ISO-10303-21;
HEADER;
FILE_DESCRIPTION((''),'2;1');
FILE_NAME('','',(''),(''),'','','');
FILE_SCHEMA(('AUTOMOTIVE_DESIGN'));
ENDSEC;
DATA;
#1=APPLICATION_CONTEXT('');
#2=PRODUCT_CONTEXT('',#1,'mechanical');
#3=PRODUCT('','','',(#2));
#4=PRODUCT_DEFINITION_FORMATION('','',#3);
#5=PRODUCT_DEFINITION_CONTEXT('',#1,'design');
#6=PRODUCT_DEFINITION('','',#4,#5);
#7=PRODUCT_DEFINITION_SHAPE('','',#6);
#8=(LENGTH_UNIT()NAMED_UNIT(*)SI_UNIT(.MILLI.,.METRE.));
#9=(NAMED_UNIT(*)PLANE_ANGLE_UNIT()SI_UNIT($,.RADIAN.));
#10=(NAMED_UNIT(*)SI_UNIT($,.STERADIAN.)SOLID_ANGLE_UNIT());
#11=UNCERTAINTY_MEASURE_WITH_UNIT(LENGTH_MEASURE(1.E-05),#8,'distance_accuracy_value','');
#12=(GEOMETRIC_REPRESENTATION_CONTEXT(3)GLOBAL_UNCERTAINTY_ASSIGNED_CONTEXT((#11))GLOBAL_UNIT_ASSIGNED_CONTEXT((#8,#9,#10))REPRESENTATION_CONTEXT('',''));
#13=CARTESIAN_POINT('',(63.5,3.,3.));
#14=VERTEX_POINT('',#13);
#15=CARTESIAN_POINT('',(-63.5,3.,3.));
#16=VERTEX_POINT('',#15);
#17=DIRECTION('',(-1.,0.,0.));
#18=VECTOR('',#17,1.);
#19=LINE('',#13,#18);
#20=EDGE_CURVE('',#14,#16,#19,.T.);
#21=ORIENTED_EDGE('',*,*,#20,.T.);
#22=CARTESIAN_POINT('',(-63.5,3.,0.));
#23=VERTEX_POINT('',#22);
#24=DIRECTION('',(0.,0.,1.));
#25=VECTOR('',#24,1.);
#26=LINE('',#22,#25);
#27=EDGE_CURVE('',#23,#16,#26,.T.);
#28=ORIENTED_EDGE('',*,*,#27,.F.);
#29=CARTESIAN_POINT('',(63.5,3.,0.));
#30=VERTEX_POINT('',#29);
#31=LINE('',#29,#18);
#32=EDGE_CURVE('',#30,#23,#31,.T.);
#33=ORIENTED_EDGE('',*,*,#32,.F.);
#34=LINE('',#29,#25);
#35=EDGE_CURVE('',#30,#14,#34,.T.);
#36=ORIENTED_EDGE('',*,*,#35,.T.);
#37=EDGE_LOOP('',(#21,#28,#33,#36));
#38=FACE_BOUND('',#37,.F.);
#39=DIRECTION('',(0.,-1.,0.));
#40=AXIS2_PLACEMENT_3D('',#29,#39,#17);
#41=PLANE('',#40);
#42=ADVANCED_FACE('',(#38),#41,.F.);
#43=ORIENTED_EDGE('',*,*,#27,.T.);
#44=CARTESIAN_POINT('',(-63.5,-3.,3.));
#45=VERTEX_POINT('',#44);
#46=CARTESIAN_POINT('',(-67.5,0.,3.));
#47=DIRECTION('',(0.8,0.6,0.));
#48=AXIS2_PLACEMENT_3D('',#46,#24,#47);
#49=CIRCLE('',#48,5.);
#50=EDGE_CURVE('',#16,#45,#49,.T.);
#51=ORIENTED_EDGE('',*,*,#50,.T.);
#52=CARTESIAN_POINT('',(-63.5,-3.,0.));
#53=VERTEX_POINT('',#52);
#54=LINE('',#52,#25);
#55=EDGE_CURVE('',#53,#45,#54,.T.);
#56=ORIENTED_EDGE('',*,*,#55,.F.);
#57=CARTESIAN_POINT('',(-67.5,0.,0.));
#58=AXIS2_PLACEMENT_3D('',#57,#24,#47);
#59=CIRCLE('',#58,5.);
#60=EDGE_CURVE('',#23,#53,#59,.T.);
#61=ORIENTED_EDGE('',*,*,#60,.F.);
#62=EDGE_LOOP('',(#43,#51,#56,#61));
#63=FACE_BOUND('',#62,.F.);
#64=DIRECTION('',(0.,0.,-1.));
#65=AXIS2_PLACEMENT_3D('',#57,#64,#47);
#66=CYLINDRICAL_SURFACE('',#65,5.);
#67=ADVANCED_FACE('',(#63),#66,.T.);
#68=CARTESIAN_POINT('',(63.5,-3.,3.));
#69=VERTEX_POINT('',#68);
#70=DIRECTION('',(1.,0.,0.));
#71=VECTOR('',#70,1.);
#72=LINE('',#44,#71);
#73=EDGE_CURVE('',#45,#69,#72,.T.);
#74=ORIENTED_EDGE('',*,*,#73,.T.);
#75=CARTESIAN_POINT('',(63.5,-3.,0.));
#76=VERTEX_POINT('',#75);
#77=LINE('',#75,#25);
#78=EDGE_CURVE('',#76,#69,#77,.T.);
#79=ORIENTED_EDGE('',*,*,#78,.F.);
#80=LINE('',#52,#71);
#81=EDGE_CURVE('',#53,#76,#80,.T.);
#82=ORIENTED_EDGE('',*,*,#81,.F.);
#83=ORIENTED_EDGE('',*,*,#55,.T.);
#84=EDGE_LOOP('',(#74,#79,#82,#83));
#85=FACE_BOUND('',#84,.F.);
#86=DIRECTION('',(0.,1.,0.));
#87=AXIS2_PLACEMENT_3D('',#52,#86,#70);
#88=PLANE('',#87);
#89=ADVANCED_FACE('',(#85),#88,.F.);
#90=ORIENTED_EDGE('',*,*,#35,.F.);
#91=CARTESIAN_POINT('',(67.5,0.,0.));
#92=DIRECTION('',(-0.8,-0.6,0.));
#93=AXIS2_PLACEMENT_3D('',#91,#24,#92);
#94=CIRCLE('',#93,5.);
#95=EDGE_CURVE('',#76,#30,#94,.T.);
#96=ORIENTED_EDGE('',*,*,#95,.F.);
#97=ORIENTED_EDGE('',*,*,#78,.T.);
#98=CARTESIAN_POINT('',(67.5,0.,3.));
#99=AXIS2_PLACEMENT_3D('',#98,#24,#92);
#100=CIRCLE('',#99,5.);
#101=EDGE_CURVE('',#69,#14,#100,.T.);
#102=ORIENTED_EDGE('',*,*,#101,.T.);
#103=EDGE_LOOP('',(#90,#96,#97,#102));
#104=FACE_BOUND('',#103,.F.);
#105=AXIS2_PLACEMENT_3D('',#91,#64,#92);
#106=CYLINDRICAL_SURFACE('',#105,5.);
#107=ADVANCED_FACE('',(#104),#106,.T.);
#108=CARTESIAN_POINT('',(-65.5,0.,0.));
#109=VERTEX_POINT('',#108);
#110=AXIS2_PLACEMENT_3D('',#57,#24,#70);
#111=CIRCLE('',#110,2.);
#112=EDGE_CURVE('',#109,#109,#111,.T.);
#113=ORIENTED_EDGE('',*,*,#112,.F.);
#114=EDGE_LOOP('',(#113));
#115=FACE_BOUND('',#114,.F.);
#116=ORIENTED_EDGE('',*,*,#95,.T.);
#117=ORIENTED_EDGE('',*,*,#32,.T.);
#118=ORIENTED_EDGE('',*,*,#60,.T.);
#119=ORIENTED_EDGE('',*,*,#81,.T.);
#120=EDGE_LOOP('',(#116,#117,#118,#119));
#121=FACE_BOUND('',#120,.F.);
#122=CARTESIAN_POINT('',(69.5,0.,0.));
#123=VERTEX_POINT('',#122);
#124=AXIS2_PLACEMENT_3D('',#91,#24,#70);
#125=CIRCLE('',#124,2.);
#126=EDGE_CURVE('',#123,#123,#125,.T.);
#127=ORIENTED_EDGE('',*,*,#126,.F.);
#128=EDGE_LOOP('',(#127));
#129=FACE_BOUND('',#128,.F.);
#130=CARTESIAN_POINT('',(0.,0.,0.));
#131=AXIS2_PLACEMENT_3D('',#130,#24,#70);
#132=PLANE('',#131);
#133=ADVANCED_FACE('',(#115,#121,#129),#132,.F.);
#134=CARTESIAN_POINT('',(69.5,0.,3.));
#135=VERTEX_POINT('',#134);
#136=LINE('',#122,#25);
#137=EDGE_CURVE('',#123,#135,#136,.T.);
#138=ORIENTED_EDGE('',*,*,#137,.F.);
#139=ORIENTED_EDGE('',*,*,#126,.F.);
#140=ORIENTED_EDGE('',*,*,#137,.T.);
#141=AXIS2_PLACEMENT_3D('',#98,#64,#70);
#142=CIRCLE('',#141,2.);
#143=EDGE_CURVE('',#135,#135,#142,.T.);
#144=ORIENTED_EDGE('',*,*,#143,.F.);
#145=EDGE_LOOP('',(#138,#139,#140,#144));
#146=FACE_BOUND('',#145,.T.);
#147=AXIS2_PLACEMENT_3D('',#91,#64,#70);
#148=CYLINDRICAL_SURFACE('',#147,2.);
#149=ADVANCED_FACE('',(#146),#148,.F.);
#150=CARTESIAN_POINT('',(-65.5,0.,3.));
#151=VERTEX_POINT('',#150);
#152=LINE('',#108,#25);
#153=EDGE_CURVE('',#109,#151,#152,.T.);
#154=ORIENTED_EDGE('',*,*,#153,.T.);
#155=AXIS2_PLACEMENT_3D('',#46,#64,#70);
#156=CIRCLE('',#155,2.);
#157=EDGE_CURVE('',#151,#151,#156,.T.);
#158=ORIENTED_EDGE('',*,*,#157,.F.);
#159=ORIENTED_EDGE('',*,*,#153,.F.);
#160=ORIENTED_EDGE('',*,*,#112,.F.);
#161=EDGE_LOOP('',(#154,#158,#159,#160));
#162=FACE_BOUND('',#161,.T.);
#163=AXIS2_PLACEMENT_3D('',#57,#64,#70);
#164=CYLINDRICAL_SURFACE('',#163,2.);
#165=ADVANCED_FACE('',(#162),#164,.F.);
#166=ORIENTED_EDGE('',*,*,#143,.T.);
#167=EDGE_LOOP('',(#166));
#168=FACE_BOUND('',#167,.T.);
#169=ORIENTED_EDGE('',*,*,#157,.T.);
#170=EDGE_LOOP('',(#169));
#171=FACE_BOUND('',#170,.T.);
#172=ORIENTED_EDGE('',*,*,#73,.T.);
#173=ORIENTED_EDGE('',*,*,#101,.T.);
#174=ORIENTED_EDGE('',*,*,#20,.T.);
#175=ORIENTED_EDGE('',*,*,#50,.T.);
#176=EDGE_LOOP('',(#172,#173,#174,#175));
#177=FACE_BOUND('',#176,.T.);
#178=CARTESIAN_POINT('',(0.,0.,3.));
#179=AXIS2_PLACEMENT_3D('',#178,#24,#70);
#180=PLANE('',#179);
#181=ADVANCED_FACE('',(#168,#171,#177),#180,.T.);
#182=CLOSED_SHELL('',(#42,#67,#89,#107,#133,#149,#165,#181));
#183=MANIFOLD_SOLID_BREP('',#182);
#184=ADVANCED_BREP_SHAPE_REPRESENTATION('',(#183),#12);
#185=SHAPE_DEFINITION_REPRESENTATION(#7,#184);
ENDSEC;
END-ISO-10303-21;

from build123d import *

# Parameters (mm, degrees)
F1_DEPTH = 3
F2_R     = 2
F3_DEPTH = 25


with BuildPart() as f1:
    # F0 (on Top) → F1 (new body)
    with BuildSketch(Plane.XY):
        with BuildLine():
            Line((63.5, 3), (-63.5, 3))
            ThreePointArc((-63.5, 3), (-72.5, 0), (-63.5, -3))
            Line((-63.5, -3), (63.5, -3))
            ThreePointArc((63.5, -3), (72.5, 0), (63.5, 3))
        make_face()
    extrude(amount=F1_DEPTH)

    # F2 (on Top) → F3 (cut)
    with BuildSketch(Plane.XY):
        with Locations((67.5, 0)):
            Circle(F2_R)
        with Locations((-67.5, 0)):
            Circle(F2_R)
    extrude(amount=F3_DEPTH, mode=Mode.SUBTRACT)


solid = f1.part
